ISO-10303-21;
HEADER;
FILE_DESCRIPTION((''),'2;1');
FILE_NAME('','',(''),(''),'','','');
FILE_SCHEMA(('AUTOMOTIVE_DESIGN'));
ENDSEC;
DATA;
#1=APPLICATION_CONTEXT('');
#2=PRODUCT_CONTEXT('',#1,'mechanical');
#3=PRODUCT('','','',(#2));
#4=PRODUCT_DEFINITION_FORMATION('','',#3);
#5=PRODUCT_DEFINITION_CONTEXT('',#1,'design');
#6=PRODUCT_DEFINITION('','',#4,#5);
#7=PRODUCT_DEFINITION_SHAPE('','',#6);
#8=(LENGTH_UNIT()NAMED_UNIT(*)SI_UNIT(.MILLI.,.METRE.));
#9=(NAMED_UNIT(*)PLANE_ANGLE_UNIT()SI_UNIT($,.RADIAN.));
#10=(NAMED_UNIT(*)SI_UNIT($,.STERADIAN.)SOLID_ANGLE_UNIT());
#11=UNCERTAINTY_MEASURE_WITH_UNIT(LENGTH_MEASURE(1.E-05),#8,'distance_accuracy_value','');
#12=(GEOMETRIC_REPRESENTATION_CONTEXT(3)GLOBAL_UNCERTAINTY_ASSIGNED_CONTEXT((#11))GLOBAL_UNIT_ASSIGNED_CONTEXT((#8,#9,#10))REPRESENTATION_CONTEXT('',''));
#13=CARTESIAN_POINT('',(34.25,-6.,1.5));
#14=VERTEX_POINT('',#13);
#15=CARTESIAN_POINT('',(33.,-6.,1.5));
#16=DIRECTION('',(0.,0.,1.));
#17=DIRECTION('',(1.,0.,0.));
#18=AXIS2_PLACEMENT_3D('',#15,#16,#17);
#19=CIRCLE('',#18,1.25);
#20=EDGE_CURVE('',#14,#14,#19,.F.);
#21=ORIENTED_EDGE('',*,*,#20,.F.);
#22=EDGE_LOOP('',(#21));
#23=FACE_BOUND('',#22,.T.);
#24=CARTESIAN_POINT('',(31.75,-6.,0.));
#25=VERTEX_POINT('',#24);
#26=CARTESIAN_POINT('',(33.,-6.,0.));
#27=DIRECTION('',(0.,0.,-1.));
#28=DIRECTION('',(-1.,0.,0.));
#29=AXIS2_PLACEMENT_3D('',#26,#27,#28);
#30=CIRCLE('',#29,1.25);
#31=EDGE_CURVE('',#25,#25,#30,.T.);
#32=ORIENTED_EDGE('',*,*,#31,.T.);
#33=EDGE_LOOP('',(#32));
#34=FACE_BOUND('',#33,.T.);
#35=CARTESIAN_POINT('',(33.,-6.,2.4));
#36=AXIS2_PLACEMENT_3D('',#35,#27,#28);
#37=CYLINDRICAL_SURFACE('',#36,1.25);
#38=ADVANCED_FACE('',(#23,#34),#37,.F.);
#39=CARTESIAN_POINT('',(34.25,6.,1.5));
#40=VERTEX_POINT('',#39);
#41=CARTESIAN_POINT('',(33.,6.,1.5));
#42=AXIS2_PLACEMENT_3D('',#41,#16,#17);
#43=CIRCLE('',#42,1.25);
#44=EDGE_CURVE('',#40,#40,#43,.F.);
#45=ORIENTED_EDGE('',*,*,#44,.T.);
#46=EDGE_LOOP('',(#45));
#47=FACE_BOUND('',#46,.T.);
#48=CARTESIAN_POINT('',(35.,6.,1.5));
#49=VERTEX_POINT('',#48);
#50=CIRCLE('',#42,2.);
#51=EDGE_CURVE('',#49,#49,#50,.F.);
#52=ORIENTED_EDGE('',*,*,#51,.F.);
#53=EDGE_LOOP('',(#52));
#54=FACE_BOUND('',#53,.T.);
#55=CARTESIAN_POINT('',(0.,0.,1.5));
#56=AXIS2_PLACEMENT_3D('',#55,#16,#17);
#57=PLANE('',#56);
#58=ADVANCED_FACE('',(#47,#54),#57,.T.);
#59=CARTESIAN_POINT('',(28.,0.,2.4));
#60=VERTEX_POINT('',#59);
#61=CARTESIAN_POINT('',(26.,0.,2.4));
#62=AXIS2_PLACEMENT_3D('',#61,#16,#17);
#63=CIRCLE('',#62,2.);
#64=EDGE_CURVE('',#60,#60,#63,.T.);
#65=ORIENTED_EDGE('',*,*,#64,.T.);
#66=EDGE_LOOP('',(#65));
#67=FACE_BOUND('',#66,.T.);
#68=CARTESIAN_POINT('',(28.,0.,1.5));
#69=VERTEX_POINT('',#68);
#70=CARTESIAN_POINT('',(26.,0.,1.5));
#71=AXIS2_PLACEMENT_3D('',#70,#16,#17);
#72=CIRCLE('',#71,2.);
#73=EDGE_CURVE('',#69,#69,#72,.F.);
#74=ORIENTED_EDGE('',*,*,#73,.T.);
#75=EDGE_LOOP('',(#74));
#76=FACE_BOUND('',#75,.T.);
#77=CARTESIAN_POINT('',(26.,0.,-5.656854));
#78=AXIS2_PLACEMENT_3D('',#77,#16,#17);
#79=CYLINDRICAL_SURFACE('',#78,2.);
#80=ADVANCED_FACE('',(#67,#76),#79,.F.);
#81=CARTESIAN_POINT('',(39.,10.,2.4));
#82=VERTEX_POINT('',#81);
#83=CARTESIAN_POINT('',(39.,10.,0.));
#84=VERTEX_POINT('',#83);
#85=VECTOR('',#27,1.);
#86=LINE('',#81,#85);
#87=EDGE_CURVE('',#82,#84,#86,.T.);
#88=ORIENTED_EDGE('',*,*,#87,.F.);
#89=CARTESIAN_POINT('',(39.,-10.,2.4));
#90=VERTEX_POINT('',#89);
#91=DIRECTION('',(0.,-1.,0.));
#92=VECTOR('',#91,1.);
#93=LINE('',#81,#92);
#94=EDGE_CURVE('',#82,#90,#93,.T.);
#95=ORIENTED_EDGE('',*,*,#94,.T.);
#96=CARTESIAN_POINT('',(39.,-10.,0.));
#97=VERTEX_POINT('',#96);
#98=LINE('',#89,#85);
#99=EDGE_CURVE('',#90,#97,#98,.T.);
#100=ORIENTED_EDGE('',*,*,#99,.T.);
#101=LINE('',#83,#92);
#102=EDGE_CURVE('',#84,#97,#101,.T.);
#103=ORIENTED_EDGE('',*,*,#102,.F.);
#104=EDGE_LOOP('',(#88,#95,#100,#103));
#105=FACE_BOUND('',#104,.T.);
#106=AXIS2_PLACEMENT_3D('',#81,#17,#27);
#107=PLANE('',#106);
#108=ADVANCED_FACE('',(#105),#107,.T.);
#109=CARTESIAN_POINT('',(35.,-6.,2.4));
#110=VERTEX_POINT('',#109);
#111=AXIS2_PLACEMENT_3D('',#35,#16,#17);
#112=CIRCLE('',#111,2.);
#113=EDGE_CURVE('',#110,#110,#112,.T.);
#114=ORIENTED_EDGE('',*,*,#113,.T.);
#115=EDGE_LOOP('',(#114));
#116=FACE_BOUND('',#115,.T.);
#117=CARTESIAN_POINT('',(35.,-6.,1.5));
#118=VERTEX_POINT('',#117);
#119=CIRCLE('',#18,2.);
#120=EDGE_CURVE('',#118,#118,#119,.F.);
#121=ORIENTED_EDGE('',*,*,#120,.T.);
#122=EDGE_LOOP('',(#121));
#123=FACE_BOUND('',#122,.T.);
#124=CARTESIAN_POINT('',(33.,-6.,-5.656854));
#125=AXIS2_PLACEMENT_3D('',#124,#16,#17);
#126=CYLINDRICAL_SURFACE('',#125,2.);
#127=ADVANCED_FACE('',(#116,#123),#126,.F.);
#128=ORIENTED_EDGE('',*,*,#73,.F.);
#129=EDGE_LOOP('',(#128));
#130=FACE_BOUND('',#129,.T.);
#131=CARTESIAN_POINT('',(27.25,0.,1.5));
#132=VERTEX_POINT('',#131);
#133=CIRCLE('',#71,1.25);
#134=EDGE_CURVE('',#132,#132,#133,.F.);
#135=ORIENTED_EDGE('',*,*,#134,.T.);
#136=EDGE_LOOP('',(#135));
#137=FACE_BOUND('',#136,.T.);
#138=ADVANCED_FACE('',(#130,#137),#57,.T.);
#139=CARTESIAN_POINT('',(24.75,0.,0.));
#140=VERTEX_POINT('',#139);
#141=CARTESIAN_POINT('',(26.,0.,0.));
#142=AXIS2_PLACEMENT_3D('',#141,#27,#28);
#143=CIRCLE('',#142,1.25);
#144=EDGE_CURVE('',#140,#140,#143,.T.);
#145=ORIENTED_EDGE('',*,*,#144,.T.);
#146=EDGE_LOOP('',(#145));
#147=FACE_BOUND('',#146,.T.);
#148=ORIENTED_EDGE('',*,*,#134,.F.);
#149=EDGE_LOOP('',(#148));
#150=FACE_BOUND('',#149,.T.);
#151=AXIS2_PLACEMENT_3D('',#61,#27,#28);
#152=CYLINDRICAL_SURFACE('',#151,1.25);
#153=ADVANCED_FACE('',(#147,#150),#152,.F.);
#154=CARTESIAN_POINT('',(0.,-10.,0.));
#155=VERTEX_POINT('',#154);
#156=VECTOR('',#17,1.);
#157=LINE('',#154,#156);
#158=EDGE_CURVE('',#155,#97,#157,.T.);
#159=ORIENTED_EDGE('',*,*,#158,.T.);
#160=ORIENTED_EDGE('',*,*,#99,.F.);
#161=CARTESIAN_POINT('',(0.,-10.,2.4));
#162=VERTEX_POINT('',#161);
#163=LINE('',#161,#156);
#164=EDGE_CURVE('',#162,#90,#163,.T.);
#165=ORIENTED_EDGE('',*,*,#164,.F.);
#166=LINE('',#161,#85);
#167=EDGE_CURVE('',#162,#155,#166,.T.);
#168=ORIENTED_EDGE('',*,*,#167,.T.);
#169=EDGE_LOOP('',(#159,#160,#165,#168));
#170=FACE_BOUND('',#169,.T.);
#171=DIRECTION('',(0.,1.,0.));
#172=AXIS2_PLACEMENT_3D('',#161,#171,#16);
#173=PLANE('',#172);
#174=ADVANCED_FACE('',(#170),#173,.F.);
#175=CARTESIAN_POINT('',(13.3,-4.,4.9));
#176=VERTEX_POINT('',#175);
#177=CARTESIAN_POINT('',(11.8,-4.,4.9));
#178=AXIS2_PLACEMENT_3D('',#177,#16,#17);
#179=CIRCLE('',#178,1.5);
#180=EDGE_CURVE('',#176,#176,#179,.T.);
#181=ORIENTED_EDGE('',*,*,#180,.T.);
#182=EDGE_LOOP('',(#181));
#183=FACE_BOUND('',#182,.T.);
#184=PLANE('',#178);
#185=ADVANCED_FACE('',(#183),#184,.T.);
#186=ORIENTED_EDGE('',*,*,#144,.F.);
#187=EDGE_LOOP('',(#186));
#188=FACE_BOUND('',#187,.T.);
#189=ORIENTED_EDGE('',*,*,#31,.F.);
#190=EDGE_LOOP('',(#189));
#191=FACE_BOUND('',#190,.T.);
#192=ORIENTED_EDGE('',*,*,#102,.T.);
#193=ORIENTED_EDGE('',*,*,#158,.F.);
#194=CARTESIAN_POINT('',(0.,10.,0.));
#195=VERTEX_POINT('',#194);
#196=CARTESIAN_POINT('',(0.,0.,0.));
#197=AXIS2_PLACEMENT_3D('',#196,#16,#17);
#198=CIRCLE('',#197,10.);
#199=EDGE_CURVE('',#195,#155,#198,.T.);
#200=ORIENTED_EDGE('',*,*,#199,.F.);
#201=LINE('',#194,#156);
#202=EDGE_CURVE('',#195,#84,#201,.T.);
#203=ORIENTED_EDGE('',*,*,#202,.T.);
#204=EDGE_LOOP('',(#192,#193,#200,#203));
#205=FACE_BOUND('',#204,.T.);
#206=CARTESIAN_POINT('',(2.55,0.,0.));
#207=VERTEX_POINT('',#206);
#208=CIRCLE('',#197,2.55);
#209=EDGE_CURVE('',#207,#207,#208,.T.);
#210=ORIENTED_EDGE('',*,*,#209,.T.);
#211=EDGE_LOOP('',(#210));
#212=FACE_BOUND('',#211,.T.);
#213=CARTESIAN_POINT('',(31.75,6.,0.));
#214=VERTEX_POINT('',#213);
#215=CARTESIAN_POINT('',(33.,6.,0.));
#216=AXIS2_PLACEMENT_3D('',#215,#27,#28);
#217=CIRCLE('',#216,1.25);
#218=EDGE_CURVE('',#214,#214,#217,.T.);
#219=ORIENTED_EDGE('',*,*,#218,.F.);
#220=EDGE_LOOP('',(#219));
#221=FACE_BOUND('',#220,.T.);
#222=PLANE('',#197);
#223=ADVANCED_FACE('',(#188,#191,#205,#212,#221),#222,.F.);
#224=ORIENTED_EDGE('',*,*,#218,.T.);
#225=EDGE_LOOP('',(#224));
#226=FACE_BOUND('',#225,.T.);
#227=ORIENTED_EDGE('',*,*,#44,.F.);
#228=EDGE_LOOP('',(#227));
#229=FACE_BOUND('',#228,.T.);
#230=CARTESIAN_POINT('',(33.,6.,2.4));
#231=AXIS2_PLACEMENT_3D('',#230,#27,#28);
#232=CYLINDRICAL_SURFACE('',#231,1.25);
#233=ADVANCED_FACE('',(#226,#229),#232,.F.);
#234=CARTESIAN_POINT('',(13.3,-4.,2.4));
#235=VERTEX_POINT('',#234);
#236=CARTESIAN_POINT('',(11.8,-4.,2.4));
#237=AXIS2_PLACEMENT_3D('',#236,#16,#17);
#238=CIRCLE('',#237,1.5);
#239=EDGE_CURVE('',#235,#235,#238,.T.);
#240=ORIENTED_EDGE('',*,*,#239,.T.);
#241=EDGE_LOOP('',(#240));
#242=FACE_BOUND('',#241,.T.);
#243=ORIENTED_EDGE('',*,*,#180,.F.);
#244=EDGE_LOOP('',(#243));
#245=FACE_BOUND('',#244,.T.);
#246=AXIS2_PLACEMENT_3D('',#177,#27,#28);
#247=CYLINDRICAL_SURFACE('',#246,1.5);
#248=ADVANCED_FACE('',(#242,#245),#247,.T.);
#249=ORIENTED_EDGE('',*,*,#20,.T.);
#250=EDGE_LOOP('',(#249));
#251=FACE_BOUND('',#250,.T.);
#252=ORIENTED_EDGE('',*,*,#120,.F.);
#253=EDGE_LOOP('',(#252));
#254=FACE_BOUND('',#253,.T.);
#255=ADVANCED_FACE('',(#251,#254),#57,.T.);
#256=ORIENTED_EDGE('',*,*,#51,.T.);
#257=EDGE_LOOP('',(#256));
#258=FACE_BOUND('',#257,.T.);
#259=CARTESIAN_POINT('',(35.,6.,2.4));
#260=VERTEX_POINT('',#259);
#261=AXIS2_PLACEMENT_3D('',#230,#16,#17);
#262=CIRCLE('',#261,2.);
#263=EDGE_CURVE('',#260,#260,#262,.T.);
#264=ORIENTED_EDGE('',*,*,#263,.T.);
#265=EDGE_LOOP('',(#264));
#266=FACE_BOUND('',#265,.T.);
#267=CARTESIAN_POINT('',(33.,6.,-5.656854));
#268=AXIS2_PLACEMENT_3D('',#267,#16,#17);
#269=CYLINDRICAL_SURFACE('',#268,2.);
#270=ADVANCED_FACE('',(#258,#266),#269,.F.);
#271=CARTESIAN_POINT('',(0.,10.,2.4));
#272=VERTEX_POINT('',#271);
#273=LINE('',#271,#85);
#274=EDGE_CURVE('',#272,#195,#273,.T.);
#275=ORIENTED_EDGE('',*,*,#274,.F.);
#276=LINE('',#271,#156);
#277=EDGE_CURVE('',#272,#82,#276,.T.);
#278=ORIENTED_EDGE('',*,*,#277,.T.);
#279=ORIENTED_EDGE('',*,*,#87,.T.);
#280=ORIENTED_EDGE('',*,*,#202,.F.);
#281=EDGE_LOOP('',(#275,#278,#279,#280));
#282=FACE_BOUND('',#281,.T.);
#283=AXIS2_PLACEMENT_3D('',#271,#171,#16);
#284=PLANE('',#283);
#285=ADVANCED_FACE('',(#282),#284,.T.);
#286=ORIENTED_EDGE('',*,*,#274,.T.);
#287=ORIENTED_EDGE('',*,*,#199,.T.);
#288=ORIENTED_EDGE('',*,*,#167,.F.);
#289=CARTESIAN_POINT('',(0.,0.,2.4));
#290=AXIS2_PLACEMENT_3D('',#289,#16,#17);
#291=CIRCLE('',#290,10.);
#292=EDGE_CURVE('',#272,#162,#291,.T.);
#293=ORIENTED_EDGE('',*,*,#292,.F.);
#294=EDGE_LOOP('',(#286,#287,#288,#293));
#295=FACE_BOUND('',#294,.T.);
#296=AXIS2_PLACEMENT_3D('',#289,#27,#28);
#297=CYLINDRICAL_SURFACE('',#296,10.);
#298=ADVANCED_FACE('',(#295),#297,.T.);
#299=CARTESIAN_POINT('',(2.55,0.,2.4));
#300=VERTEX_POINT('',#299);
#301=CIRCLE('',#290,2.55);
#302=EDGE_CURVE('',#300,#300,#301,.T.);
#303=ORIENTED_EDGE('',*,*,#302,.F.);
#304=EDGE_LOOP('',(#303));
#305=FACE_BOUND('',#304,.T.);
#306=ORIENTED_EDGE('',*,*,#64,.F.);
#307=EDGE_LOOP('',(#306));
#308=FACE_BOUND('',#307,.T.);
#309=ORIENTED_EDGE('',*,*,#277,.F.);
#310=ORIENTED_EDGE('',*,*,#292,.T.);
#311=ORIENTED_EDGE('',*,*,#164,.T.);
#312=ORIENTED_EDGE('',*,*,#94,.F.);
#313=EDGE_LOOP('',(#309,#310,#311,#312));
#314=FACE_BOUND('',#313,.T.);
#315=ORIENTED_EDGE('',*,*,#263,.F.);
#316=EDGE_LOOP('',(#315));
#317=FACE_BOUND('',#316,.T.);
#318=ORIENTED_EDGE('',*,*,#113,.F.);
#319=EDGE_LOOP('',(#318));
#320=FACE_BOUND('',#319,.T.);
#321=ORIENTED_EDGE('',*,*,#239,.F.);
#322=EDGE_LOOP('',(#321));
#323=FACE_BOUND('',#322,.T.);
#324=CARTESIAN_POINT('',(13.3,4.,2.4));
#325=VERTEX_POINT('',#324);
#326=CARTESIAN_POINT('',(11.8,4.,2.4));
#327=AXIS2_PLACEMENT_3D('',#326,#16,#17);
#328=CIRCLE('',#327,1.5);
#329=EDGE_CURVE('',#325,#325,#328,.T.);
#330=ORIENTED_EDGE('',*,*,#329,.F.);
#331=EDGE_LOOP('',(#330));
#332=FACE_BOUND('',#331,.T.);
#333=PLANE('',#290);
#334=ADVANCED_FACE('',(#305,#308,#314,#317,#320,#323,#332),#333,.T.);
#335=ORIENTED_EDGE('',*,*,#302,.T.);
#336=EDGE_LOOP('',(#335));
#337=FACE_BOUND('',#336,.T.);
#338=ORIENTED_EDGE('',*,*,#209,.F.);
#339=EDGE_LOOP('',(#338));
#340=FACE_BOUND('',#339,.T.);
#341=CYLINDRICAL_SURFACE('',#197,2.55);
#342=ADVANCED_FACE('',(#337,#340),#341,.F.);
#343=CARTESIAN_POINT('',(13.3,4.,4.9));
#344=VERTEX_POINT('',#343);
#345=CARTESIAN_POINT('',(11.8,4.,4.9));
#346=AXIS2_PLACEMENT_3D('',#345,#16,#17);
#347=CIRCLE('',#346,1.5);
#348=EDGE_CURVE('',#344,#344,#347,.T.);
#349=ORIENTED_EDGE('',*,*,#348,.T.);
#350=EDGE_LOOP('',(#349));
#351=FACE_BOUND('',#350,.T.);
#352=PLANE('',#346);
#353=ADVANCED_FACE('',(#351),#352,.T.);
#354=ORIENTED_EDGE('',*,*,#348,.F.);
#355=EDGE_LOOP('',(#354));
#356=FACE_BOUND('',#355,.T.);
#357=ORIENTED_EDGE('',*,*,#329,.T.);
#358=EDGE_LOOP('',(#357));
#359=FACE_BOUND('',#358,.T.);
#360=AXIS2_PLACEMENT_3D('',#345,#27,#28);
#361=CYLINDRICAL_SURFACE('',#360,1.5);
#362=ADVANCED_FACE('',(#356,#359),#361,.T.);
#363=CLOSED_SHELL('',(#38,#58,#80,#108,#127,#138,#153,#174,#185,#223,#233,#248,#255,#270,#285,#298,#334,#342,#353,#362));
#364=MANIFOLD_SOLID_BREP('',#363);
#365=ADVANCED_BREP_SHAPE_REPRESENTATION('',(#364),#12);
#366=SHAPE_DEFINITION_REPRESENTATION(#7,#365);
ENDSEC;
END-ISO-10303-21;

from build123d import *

# Parameters (mm, degrees)
EXTRUDE_1_DEPTH     = 2.4
SKETCH_2_R          = 1.25
CUT_EXTRUDE_1_DEPTH = 41.333112947
CUT_EXTRUDE_START   = -1.5
SKETCH_2_3_R        = 2
SKETCH_2_3_R_2      = 1.25
CUT_EXTRUDE_2_DEPTH = 0.9
SKETCH_3_R          = 2.55
CUT_EXTRUDE_3_DEPTH = 41.333112947
SKETCH_4_R          = 1.5
EXTRUDE_2_DEPTH     = 2.5


with BuildPart() as part:
    # 草图1 → 凸台-拉伸1 (new body)
    with BuildSketch(Plane.XY):
        with BuildLine():
            Line((0, -10), (39, -10))
            Line((39, -10), (39, 10))
            Line((39, 10), (0, 10))
            ThreePointArc((0, 10), (-10, 0), (0, -10))
        make_face()
    extrude(amount=EXTRUDE_1_DEPTH)

    # 草图2 → 切除-拉伸1 (cut, through all)
    with BuildSketch(Plane(origin=(0, 0, 0), x_dir=(-1, 0, 0), z_dir=(0, 0, -1))):
        with Locations((-33, 6)):
            Circle(SKETCH_2_R)
        with Locations((-33, -6)):
            Circle(SKETCH_2_R)
        with Locations((-26, 0)):
            Circle(SKETCH_2_R)
    extrude(amount=-CUT_EXTRUDE_1_DEPTH, mode=Mode.SUBTRACT)

    # 草图2<3> → 切除-拉伸2 (cut)
    # profile 1 of 3: a face of its own
    with BuildSketch(Plane(origin=(0, 0, 0), x_dir=(-1, 0, 0), z_dir=(0, 0, -1)).offset(CUT_EXTRUDE_START)):
        with Locations(Location((-33, 6, 0), (0, 0, 180))):
            Circle(SKETCH_2_3_R)
        with Locations((-33, 6)):
            Circle(SKETCH_2_3_R_2, mode=Mode.SUBTRACT)
    # profile 2 of 3: a face of its own
    with BuildSketch(Plane(origin=(0, 0, 0), x_dir=(-1, 0, 0), z_dir=(0, 0, -1)).offset(CUT_EXTRUDE_START)):
        with Locations(Location((-33, -6, 0), (0, 0, 180))):
            Circle(SKETCH_2_3_R)
        with Locations((-33, -6)):
            Circle(SKETCH_2_3_R_2, mode=Mode.SUBTRACT)
    # profile 3 of 3: a face of its own
    with BuildSketch(Plane(origin=(0, 0, 0), x_dir=(-1, 0, 0), z_dir=(0, 0, -1)).offset(CUT_EXTRUDE_START)):
        with Locations(Location((-26, 0, 0), (0, 0, 180))):
            Circle(SKETCH_2_3_R)
        with Locations((-26, 0)):
            Circle(SKETCH_2_3_R_2, mode=Mode.SUBTRACT)
    extrude(amount=-CUT_EXTRUDE_2_DEPTH, mode=Mode.SUBTRACT)

    # 草图3 → 切除-拉伸3 (cut, through all)
    with BuildSketch(Plane.XY.offset(2.4)):
        Circle(SKETCH_3_R)
    extrude(amount=-CUT_EXTRUDE_3_DEPTH, mode=Mode.SUBTRACT)

    # 草图4 → 凸台-拉伸2 (add)
    with BuildSketch(Plane.XY.offset(2.4)):
        with Locations((11.8, -4)):
            Circle(SKETCH_4_R)
        with Locations((11.8, 4)):
            Circle(SKETCH_4_R)
    extrude(amount=EXTRUDE_2_DEPTH)


solid = part.part
